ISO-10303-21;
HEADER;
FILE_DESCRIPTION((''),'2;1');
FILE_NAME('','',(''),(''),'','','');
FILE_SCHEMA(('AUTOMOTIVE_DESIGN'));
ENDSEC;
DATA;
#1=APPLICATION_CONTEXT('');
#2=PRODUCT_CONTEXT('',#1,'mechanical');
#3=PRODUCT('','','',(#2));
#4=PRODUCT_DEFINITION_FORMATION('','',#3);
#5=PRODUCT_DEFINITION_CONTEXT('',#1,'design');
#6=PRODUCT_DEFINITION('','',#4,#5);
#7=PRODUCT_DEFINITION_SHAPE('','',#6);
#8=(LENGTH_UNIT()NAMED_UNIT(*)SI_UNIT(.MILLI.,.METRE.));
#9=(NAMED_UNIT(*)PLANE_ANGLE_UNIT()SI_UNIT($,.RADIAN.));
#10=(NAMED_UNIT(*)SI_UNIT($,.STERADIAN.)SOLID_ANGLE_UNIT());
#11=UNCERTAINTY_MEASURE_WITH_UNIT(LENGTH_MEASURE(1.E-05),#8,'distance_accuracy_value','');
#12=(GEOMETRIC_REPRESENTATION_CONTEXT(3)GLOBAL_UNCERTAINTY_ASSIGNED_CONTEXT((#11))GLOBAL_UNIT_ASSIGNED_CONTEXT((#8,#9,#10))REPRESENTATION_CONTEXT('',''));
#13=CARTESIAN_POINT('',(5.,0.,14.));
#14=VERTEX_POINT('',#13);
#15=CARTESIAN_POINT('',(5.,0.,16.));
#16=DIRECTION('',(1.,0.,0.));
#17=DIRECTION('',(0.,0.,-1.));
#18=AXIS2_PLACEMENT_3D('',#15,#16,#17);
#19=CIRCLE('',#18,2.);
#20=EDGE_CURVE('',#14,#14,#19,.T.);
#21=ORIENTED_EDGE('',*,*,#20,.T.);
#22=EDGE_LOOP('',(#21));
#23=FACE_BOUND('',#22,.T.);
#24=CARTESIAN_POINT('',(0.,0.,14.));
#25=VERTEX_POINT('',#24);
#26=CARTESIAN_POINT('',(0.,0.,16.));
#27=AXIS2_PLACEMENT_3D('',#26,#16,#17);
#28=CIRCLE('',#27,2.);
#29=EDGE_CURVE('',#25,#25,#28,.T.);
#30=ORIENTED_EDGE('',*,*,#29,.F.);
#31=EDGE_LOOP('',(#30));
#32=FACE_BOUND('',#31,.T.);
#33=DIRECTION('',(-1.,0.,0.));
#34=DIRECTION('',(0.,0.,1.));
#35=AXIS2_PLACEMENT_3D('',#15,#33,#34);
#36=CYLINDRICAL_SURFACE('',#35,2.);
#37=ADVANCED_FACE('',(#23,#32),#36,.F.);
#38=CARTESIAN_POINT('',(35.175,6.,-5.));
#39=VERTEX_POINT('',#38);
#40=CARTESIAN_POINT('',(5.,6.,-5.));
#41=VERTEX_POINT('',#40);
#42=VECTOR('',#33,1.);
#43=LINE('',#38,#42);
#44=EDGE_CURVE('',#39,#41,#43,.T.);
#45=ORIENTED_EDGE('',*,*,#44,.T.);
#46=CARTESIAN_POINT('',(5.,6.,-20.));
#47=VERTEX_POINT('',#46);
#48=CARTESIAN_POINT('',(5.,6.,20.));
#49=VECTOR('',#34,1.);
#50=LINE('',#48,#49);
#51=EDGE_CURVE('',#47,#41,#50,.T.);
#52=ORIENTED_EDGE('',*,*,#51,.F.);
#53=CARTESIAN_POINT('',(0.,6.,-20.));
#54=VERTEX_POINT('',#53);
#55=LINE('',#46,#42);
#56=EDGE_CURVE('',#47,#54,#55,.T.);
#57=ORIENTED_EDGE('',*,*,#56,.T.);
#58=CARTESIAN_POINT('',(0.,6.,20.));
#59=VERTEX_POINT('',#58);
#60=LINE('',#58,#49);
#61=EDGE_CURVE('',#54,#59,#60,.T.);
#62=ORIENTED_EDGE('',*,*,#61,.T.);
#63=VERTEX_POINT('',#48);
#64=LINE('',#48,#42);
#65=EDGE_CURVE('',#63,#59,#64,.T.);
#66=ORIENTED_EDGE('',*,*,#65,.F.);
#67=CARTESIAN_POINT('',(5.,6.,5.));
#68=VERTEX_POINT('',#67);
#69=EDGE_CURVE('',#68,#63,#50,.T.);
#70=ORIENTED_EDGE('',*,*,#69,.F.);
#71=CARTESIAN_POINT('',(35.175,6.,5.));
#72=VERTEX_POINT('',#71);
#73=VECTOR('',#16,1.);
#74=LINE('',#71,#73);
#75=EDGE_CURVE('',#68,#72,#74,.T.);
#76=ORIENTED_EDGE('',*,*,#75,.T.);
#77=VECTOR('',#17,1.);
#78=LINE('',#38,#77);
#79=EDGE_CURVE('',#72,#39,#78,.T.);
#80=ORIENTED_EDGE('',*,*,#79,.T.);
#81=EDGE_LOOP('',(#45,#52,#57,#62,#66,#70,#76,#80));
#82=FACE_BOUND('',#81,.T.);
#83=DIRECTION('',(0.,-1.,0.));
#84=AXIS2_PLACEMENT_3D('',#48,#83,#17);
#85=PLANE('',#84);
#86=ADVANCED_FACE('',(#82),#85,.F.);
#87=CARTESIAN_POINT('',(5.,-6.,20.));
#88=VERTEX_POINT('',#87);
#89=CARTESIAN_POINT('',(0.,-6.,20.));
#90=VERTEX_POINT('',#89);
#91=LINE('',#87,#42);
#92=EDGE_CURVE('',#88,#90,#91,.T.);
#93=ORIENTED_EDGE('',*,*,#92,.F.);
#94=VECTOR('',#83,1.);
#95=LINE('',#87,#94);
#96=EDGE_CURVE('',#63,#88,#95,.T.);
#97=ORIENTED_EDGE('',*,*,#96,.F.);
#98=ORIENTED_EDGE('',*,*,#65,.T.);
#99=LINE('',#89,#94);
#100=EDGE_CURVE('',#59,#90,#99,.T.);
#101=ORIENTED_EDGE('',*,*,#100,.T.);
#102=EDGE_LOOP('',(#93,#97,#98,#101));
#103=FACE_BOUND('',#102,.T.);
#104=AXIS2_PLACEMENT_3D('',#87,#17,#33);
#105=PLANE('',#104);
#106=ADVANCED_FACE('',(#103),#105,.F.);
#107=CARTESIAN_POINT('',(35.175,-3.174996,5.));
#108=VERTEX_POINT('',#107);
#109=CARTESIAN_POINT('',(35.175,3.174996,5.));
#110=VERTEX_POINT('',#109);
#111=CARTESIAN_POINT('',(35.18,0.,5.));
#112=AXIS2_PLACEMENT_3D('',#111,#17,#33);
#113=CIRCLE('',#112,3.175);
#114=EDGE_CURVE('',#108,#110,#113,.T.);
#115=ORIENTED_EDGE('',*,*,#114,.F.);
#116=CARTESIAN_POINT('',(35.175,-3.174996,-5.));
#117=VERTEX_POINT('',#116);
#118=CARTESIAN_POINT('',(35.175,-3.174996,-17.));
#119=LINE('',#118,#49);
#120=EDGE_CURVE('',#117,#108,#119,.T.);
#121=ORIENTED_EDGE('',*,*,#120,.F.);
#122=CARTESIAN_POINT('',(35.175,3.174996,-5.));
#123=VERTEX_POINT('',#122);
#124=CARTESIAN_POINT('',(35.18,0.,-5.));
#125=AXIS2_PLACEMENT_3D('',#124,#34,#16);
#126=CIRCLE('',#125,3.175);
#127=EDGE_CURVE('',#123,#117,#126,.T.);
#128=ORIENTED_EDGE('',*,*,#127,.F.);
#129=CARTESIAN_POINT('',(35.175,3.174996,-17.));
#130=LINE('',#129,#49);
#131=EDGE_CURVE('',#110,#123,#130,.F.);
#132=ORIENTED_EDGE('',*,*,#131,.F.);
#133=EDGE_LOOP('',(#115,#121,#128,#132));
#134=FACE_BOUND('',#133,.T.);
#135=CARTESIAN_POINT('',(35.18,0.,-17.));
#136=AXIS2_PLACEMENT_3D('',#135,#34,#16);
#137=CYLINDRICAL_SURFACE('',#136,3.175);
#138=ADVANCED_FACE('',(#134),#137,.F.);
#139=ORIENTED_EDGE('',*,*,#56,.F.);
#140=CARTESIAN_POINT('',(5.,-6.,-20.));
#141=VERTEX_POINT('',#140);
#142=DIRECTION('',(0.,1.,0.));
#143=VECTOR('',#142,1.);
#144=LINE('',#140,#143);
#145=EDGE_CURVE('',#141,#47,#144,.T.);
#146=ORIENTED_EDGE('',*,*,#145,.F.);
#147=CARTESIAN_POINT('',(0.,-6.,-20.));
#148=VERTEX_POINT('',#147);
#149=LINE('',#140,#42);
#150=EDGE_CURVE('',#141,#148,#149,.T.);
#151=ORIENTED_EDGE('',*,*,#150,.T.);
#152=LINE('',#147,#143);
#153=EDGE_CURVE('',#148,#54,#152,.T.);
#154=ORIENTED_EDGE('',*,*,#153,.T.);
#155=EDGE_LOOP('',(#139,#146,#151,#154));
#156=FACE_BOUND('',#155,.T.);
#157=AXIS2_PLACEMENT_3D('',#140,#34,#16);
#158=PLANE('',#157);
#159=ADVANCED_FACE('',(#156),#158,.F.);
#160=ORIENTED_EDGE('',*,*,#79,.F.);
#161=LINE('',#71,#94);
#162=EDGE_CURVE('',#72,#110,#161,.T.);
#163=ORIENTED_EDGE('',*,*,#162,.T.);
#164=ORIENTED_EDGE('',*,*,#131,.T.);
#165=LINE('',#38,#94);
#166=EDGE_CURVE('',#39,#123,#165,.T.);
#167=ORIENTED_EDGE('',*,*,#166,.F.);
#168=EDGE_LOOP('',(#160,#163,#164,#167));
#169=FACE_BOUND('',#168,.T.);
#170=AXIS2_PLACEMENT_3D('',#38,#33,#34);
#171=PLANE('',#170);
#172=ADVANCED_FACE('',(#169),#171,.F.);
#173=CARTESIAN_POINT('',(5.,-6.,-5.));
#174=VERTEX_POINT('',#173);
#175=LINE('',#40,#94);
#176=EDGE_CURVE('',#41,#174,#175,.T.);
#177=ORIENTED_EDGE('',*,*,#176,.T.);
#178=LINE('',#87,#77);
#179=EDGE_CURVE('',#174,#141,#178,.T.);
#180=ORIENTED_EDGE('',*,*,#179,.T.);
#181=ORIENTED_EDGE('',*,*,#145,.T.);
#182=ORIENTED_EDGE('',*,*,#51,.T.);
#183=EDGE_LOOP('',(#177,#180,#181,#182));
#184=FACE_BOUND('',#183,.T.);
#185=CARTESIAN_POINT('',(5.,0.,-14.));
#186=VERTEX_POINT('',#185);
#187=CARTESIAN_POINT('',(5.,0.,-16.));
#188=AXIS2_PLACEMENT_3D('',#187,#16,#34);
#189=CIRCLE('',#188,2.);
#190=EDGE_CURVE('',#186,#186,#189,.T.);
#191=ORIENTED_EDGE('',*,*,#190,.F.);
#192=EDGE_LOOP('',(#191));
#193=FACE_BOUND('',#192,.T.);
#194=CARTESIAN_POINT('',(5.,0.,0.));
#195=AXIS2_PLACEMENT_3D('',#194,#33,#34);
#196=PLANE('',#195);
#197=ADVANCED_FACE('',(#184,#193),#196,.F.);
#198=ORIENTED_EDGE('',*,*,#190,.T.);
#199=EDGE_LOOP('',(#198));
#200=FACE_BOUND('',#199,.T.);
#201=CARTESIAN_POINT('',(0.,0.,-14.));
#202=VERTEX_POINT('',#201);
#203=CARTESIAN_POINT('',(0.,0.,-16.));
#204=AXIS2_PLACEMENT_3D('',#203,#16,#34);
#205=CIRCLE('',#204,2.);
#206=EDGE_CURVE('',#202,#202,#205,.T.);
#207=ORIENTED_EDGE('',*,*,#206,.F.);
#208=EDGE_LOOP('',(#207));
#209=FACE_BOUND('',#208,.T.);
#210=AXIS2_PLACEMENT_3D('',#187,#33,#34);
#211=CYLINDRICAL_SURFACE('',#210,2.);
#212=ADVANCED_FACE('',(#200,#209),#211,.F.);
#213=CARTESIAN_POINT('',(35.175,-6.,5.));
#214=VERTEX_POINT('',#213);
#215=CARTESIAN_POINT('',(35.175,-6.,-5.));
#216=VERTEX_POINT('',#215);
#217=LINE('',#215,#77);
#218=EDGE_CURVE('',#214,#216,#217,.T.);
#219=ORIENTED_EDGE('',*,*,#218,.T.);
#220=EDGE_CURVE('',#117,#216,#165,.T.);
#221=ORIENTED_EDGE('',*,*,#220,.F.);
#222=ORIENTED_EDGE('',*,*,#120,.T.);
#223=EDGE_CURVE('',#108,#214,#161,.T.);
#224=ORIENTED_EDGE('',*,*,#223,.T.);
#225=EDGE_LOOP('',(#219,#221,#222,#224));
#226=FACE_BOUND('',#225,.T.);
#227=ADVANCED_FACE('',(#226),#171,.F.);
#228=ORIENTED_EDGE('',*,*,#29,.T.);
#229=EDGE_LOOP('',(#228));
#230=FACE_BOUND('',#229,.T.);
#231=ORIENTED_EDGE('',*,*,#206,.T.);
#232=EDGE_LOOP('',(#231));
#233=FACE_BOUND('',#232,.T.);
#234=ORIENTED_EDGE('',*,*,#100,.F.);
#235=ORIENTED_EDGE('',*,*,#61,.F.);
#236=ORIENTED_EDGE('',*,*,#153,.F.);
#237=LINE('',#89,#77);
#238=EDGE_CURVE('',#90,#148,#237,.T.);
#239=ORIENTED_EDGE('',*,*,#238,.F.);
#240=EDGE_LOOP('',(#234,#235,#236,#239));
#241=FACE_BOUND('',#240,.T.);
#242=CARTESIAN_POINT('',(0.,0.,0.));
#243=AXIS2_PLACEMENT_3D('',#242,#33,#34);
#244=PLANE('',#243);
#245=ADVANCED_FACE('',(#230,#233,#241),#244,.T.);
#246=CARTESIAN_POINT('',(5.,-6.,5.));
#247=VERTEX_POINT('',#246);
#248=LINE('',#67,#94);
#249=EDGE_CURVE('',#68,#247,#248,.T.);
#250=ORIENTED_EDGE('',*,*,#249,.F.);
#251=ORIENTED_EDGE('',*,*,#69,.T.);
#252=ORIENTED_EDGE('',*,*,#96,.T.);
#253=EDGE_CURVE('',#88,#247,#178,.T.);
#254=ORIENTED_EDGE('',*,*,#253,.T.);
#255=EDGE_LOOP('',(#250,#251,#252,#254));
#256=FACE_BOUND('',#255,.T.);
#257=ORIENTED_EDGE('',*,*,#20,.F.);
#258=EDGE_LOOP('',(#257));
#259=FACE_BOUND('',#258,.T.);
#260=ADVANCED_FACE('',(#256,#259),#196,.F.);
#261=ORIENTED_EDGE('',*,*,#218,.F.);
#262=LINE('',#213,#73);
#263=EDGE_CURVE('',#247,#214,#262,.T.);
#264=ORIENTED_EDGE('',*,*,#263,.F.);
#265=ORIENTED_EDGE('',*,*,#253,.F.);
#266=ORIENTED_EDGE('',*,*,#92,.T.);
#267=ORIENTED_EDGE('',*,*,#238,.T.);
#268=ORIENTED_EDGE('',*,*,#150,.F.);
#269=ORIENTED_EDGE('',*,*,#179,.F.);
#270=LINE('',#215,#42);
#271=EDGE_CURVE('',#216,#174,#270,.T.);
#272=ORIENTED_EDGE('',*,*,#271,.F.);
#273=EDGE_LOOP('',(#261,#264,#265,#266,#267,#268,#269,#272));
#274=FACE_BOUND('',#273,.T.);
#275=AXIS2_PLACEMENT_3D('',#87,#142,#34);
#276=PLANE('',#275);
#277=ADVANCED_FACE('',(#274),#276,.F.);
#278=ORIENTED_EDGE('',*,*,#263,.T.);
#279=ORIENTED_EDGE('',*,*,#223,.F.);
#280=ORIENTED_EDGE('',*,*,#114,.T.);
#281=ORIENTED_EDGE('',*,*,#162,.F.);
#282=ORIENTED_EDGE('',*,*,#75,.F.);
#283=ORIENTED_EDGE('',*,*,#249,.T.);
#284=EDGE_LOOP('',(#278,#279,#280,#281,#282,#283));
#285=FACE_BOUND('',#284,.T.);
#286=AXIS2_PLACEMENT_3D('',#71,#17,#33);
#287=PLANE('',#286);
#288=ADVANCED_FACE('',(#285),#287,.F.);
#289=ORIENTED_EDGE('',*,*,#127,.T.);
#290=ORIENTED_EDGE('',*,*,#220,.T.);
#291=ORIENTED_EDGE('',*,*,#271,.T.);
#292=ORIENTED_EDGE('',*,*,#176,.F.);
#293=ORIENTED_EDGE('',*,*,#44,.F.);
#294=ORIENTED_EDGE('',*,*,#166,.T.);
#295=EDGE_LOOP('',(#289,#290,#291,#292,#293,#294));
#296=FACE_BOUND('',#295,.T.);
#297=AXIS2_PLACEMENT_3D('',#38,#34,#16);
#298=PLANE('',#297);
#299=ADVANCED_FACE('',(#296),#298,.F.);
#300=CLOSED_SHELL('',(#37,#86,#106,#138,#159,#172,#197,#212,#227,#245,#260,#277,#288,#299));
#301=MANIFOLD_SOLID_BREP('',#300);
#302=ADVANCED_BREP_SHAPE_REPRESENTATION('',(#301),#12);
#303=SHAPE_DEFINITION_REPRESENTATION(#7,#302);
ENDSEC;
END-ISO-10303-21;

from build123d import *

# Parameters (mm, degrees)
SKETCH1_W           = 40
SKETCH1_H           = 12
SKETCH1_R           = 2
BOSS_EXTRUDE1_DEPTH = 5
SKETCH2_W           = 30.175
SKETCH2_H           = 10
BOSS_EXTRUDE2_DEPTH = 6
SKETCH3_R           = 3.175
CUT_EXTRUDE1_DEPTH  = 17


with BuildPart() as part:
    # Sketch1 → Boss-Extrude1 (new body)
    with BuildSketch(Plane(origin=(0, 0, 0), x_dir=(0, 0, -1), z_dir=(1, 0, 0))):
        Rectangle(SKETCH1_W, SKETCH1_H)
        with Locations((-16, 0)):
            Circle(SKETCH1_R, mode=Mode.SUBTRACT)
        with Locations(Location((16, 0, 0), (0, 0, 180))):
            Circle(SKETCH1_R, mode=Mode.SUBTRACT)
    extrude(amount=BOSS_EXTRUDE1_DEPTH)

    # Sketch2 → Boss-Extrude2 (add, symmetric)
    with BuildSketch(Plane(origin=(0, 0, 0), x_dir=(1, 0, 0), z_dir=(0, 1, 0))):
        with Locations((20.0875, 0)):
            Rectangle(SKETCH2_W, SKETCH2_H)
    extrude(amount=BOSS_EXTRUDE2_DEPTH, both=True)

    # Sketch3 → Cut-Extrude1 (cut, symmetric)
    with BuildSketch(Plane.XY):
        with Locations((35.18, 0)):
            Circle(SKETCH3_R)
    extrude(amount=CUT_EXTRUDE1_DEPTH, both=True, mode=Mode.SUBTRACT)


solid = part.part
